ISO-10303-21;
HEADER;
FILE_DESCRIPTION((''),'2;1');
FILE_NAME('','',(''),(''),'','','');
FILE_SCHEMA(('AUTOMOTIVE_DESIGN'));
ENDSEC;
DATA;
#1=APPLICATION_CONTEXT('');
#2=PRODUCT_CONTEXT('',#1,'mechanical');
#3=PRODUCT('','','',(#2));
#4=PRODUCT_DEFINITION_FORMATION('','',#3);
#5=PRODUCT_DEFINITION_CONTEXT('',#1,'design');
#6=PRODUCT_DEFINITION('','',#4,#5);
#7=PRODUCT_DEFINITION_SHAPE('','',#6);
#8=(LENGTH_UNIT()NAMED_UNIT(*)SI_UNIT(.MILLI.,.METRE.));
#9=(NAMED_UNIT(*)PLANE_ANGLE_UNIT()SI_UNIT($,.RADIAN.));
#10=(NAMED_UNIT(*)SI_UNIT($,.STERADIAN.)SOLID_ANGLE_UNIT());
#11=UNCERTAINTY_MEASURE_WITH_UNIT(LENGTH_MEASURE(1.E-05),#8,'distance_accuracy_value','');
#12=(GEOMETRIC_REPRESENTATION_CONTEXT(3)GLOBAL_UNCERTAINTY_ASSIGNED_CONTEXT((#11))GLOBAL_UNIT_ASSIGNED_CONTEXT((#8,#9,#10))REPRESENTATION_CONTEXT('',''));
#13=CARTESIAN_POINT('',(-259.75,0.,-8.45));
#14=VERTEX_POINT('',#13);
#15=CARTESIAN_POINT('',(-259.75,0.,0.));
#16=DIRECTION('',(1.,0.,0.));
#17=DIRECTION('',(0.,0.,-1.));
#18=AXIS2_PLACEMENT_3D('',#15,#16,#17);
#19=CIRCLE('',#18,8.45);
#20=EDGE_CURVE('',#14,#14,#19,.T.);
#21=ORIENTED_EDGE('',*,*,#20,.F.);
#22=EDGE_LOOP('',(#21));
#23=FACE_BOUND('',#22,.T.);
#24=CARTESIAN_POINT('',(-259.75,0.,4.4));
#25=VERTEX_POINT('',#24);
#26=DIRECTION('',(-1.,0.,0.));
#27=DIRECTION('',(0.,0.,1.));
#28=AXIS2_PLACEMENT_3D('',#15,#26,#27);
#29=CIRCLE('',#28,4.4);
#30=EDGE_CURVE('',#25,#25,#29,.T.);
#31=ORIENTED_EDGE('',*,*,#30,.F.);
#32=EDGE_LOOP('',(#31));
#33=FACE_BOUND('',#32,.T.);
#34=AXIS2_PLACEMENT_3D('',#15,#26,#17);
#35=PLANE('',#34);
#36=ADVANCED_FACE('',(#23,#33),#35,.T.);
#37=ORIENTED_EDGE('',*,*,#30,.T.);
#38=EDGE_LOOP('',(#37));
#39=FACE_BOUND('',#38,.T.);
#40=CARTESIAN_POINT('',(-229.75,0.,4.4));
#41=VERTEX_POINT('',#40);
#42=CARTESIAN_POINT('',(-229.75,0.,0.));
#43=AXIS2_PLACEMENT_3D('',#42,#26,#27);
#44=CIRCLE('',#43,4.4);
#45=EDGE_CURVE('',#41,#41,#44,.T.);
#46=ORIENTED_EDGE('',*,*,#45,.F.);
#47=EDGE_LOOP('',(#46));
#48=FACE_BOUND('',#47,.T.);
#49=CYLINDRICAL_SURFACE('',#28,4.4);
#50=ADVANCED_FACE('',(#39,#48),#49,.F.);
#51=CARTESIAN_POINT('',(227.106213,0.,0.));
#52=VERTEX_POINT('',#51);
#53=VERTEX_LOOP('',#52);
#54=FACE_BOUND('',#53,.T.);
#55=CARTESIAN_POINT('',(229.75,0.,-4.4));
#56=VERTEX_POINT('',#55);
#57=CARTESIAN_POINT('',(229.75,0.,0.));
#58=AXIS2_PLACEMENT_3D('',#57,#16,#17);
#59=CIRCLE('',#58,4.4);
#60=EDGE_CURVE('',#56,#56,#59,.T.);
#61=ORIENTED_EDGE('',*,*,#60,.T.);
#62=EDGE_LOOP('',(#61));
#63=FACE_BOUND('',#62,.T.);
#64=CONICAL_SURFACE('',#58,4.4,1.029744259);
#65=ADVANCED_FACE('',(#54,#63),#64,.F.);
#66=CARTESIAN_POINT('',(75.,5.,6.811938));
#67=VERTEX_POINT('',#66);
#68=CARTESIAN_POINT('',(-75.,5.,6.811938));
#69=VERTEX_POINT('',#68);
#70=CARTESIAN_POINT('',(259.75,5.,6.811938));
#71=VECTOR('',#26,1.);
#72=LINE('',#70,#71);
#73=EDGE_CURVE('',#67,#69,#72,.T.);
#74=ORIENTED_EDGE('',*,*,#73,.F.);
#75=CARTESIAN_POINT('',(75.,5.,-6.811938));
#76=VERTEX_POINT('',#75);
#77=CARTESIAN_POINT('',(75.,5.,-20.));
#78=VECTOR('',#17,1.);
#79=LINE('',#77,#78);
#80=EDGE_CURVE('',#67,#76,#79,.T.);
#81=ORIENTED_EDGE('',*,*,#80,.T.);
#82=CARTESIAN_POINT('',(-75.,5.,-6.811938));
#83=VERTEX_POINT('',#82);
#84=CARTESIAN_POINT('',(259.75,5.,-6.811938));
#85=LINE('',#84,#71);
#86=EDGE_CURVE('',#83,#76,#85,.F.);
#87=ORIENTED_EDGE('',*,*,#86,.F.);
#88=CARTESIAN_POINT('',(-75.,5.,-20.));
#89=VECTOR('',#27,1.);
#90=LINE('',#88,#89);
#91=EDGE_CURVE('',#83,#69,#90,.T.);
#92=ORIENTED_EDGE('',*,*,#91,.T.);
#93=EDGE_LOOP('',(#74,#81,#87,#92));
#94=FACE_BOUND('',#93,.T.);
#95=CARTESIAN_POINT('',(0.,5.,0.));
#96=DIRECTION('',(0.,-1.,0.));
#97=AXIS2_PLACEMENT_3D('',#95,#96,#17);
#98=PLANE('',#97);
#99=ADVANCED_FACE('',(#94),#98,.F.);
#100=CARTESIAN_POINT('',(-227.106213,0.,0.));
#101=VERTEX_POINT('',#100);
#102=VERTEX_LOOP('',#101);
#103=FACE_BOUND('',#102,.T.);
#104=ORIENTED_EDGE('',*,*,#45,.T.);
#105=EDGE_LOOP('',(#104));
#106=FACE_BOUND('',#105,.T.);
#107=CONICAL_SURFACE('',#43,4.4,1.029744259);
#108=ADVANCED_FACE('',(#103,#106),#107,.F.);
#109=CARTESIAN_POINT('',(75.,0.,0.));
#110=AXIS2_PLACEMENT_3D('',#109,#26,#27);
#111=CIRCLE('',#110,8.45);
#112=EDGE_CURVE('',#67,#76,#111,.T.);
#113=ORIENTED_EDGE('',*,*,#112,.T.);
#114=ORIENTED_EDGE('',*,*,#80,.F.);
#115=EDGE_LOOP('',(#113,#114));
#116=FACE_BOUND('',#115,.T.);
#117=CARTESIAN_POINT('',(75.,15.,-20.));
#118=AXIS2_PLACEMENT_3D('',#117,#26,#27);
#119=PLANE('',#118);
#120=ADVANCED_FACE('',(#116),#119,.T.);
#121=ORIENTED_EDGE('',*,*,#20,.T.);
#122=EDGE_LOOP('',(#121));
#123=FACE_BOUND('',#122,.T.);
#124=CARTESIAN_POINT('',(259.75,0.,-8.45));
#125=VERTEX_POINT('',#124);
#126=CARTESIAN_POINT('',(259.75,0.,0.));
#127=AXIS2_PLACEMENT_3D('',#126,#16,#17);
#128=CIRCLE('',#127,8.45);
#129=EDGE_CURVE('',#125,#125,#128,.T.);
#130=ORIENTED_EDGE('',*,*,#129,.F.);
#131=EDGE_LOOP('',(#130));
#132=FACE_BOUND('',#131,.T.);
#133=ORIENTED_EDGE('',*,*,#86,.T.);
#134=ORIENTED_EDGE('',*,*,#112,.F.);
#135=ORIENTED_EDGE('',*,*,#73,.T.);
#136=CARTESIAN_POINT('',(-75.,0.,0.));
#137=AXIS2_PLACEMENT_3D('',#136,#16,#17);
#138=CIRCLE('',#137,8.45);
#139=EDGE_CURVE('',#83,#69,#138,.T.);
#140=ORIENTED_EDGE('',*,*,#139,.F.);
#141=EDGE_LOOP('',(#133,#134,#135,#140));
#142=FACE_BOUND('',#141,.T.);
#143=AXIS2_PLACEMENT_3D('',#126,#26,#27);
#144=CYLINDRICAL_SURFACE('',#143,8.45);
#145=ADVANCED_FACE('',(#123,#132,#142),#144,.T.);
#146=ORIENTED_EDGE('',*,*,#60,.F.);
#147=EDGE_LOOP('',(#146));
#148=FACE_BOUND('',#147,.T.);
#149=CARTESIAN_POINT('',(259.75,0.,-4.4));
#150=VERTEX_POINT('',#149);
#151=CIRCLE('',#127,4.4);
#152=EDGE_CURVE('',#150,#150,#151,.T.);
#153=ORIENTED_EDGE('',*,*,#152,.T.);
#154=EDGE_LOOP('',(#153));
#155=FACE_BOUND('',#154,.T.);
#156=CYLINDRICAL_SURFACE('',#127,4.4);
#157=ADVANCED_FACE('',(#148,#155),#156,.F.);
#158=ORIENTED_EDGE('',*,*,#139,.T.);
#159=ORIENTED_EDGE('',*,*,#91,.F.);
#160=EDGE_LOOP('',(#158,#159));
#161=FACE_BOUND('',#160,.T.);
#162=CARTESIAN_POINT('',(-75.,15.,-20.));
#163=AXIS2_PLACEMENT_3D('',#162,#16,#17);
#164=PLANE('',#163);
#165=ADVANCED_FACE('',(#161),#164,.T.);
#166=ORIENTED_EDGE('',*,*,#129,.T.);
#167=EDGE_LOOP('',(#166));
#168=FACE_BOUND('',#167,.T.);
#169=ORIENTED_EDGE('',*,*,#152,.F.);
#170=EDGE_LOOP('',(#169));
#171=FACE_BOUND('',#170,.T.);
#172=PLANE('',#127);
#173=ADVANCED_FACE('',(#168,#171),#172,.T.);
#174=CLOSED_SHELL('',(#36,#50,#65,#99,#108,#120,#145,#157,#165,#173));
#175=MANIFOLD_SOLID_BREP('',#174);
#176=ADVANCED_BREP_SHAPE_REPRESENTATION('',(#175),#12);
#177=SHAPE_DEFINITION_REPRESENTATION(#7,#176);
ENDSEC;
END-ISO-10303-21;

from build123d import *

# Parameters (mm, degrees)
SKETCH1_W               = 20
SKETCH1_H               = 16.9
BOSS_EXTRUDE1_DEPTH     = 23.75
SKETCH2_R               = 8.45
BOSS_EXTRUDE2_DEPTH     = 236
SKETCH6_R               = 18.45
SKETCH6_R_2             = 8.45
CUT_EXTRUDE_THIN1_DEPTH = 30
CUT_EXTRUDE1_START      = 5
SKETCH7_W               = 150
SKETCH7_H               = 40
CUT_EXTRUDE1_DEPTH      = 10


with BuildPart() as part:
    # Sketch1 → Boss-Extrude1 (new, symmetric)
    with BuildSketch(Plane(origin=(0, 0, 0), x_dir=(0, 0, -1), z_dir=(1, 0, 0))):
        Rectangle(SKETCH1_W, SKETCH1_H)
    extrude(amount=BOSS_EXTRUDE1_DEPTH, both=True)

    # Sketch2 → Boss-Extrude2 (add)
    with BuildSketch(Plane(origin=(23.75, 0, 0), x_dir=(0, 0, -1), z_dir=(1, 0, 0))):
        with Locations(Location((0, 0, 0), (0, 0, 270))):
            Circle(SKETCH2_R)
    boss_extrude2 = extrude(amount=BOSS_EXTRUDE2_DEPTH)

    # Sketch3 → M10x1.25 Tapped Hole1 (revolve, cut)
    with BuildSketch(Plane(origin=(259.75, 0, 0), x_dir=(0, 0, -1), z_dir=(0, 1, 0))):
        Polygon((0, 0), (0, 32.643786724), (4.4, 30), (4.4, 0), align=None)
    m10x1_25_tapped_hole1 = revolve(axis=Axis((266.1, 0, 0), (-1, 0, 0)), mode=Mode.SUBTRACT)

    # Mirror1: Boss-Extrude2, M10x1.25 Tapped Hole1 across plane
    add(boss_extrude2.mirror(Plane(origin=(0, 0, 0), x_dir=(0, 0, 1), z_dir=(1, 0, 0))))
    add(m10x1_25_tapped_hole1.mirror(Plane(origin=(0, 0, 0), x_dir=(0, 0, 1), z_dir=(1, 0, 0))), mode=Mode.SUBTRACT)

    # Sketch6 → Cut-Extrude-Thin1 (cut, symmetric)
    with BuildSketch(Plane(origin=(0, 0, 0), x_dir=(0, 0, -1), z_dir=(1, 0, 0))):
        Circle(SKETCH6_R)
        Circle(SKETCH6_R_2, mode=Mode.SUBTRACT)
    extrude(amount=CUT_EXTRUDE_THIN1_DEPTH, both=True, mode=Mode.SUBTRACT)

    # Sketch7 → Cut-Extrude1 (cut)
    with BuildSketch(Plane(origin=(0, 0, 0), x_dir=(1, 0, 0), z_dir=(0, 1, 0)).offset(CUT_EXTRUDE1_START)):
        Rectangle(SKETCH7_W, SKETCH7_H)
    extrude(amount=CUT_EXTRUDE1_DEPTH, mode=Mode.SUBTRACT)


solid = part.part
